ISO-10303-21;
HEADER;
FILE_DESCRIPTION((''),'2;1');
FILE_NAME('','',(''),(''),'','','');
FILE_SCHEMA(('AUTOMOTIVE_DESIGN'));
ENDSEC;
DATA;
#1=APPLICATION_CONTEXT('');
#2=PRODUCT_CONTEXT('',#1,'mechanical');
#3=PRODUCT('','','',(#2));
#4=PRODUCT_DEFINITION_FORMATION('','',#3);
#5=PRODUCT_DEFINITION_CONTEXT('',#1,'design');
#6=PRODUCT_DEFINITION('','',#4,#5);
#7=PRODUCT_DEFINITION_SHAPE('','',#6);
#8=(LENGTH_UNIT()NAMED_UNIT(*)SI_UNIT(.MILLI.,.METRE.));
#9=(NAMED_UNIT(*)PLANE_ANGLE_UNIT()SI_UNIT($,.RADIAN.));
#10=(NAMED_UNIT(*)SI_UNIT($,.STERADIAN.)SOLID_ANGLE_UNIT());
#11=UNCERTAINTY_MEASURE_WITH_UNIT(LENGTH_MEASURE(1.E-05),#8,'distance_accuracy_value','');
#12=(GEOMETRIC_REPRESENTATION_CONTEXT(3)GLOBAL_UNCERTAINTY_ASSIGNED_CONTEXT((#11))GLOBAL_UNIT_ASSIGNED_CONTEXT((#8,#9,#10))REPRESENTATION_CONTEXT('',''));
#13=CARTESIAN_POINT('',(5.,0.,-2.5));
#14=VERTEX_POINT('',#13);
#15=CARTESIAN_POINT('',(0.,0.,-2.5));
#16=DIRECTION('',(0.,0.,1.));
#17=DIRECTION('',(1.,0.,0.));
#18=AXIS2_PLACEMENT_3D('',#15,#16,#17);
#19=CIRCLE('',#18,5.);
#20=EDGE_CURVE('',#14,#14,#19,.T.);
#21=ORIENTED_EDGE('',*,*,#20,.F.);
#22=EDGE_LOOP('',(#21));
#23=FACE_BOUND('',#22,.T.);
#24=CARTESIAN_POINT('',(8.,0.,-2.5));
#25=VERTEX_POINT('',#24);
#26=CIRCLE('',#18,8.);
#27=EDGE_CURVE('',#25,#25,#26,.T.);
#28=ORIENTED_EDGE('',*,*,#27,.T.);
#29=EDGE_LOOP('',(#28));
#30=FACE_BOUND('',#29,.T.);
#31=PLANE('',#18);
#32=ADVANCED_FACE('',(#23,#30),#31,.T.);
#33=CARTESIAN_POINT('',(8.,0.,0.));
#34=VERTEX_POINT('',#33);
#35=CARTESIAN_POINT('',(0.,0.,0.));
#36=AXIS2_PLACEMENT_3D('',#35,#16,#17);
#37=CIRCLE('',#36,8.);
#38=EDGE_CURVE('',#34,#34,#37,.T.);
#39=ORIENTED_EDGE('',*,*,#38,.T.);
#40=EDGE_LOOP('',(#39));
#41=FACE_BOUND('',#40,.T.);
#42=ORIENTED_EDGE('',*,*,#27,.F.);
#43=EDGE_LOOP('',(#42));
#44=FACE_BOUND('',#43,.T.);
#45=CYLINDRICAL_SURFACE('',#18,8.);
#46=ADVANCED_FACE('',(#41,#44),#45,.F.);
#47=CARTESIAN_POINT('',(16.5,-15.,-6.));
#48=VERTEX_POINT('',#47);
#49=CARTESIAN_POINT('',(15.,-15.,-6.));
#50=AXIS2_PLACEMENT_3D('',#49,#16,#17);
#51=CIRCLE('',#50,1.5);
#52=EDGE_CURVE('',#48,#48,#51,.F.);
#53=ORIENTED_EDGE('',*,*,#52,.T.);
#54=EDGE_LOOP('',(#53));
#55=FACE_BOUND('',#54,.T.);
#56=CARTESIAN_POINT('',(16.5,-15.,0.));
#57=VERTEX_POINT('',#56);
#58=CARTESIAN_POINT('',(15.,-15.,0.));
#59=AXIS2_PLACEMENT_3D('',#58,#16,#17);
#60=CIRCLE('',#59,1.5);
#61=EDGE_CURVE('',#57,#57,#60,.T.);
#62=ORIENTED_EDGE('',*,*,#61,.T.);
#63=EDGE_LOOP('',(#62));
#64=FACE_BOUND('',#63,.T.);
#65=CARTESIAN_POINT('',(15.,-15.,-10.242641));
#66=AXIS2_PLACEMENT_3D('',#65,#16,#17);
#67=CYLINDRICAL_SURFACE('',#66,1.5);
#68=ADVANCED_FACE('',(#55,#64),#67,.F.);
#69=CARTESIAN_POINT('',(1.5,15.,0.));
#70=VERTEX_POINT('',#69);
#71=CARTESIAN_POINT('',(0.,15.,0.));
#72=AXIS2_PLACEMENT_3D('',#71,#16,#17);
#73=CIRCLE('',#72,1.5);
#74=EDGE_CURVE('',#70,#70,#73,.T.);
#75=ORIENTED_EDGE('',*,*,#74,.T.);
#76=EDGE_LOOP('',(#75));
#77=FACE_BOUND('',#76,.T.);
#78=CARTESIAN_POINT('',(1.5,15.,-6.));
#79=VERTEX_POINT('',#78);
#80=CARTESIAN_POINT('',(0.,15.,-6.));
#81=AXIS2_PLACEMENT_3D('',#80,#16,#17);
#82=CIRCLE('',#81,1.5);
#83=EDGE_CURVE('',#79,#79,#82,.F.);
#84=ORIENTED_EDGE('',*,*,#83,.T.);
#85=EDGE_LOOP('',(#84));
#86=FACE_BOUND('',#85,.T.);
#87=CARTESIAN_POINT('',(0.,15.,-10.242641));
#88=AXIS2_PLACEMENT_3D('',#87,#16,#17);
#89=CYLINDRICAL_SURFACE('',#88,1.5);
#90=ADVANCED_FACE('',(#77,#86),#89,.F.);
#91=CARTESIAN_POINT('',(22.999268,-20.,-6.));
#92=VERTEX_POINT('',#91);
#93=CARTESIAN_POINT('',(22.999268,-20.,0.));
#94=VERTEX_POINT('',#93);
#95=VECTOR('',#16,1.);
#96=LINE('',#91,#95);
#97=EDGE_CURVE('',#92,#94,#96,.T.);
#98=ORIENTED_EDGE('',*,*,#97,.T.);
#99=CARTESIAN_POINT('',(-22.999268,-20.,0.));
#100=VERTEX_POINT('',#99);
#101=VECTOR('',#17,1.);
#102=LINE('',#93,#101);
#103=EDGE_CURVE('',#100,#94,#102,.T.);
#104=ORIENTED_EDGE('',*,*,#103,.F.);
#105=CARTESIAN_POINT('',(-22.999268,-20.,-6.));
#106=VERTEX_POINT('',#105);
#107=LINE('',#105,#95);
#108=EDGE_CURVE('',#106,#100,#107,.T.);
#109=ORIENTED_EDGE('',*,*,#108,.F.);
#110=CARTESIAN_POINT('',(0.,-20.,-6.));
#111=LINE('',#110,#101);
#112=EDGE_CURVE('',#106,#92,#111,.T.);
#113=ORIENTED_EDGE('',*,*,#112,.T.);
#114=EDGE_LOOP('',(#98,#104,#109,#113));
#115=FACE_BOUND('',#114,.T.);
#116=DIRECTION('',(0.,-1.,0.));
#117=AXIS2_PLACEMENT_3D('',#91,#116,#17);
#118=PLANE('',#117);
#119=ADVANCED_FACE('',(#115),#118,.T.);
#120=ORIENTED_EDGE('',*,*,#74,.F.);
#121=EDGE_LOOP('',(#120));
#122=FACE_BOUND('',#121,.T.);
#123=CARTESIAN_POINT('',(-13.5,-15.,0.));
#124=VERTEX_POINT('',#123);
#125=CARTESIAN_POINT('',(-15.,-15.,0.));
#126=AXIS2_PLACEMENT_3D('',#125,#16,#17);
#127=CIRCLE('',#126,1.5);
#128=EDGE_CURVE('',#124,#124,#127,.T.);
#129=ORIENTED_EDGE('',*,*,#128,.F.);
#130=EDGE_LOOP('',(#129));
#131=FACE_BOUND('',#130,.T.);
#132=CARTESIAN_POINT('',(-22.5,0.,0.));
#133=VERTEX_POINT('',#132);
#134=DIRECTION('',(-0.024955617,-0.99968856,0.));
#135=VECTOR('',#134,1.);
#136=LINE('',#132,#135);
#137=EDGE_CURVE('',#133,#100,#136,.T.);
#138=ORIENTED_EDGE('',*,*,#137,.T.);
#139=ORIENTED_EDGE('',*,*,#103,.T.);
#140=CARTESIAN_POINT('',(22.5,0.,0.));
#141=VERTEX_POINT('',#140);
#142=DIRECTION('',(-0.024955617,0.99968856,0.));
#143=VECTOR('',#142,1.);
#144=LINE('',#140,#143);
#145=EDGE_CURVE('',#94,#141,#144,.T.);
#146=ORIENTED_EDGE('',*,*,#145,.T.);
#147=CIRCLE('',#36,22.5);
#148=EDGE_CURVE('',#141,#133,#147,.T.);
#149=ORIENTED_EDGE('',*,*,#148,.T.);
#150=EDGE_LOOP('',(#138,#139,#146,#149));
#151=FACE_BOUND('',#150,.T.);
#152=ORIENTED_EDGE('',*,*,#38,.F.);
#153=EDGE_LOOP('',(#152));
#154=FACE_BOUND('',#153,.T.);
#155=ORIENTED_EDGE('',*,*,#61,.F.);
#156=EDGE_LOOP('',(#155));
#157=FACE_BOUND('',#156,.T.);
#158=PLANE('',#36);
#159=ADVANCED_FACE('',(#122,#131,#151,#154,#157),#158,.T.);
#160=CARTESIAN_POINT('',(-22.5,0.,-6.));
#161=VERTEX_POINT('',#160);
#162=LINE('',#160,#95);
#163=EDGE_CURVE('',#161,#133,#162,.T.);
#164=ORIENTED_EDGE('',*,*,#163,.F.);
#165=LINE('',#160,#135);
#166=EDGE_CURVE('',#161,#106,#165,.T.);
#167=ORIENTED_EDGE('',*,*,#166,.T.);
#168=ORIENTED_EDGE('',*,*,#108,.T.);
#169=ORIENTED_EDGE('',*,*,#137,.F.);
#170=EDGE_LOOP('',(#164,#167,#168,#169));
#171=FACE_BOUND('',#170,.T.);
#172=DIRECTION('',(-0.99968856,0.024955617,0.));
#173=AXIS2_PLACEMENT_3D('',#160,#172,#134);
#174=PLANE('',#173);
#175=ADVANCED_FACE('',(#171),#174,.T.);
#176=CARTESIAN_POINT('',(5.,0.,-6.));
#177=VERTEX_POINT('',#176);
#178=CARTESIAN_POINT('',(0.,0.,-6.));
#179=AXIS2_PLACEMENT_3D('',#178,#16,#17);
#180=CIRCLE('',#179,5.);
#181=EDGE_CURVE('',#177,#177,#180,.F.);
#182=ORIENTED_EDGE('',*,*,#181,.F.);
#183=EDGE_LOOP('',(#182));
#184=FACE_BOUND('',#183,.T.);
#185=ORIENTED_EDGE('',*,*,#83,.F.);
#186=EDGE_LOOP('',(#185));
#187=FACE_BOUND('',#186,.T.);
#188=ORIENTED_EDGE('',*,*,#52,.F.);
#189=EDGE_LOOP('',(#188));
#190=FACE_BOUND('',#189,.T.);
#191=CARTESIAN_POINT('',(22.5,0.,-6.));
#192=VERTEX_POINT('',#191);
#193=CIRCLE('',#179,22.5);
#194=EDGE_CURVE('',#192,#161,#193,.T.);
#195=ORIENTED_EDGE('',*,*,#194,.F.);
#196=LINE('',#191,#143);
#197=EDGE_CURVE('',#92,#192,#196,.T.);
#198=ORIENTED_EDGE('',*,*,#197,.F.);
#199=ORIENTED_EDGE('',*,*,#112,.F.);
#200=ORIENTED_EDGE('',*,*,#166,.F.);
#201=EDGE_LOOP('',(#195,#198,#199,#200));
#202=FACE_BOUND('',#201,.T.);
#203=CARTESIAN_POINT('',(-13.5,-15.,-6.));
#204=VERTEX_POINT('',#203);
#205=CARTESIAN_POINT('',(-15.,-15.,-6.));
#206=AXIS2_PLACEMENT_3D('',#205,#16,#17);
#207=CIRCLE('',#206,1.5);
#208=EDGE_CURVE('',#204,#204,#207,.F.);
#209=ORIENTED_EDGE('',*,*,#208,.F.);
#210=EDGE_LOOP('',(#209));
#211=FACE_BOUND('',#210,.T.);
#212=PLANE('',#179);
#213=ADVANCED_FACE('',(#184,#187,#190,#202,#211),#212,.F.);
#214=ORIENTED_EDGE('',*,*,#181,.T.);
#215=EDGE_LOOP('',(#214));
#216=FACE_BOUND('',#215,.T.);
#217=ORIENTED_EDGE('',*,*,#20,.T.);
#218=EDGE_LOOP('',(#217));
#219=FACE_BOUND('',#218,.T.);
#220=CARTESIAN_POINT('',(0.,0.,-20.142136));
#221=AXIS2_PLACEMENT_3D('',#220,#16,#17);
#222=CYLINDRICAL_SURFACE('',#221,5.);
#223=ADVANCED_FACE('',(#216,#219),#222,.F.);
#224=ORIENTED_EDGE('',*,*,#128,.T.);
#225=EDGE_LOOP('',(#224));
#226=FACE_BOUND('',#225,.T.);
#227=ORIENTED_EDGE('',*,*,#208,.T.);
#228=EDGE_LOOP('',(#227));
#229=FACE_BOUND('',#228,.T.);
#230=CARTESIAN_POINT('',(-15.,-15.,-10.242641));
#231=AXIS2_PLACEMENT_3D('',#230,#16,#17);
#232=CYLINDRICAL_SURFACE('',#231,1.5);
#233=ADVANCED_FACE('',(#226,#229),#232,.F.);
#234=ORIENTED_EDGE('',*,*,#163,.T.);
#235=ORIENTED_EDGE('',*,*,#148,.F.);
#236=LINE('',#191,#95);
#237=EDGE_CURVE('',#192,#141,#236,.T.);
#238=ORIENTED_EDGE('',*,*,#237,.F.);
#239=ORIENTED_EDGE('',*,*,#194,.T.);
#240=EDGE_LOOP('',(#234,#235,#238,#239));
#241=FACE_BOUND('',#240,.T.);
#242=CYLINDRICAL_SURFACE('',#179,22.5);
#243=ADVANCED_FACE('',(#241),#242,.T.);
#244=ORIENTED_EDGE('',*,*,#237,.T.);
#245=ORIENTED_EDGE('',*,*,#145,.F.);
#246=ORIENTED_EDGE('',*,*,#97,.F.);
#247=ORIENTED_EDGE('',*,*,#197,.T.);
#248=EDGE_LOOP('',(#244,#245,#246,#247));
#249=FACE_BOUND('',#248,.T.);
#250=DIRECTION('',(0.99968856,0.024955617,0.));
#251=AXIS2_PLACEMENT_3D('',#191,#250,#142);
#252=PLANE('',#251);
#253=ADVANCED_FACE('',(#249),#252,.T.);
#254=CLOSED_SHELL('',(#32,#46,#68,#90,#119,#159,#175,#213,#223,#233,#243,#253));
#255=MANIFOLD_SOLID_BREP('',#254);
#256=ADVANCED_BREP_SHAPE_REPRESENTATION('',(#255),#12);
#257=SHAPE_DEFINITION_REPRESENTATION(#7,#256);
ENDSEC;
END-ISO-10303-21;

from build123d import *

# Parameters (mm, degrees)
BEARING_HOLDER_BOSS_EXTRUDE1_DEPTH = 6
SKETCH2_R                          = 8
BEARING_HOLE_CUT_EXTRUDE1_DEPTH    = 2.5
SKETCH3_R                          = 5
SHAFT_HOLE_CUT_EXTRUDE2_DEPTH      = 3.5
SKETCH4_R                          = 1.5
MOUNTING_HOLES_CUT_EXTRUDE3_DEPTH  = 6


with BuildPart() as part:
    # Sketch1 → Bearing Holder Boss-Extrude1 (new body)
    with BuildSketch(Plane.XY):
        with BuildLine():
            Line((-22.5, 0), (-22.999267837, -20))
            Line((-22.999267837, -20), (0, -20))
            Line((0, -20), (22.999267837, -20))
            Line((22.999267837, -20), (22.5, 0))
            ThreePointArc((22.5, 0), (0, 22.5), (-22.5, 0))
        make_face()
    extrude(amount=-BEARING_HOLDER_BOSS_EXTRUDE1_DEPTH)

    # Sketch2 → Bearing Hole Cut-Extrude1 (cut)
    with BuildSketch(Plane.XY):
        Circle(SKETCH2_R)
    extrude(amount=-BEARING_HOLE_CUT_EXTRUDE1_DEPTH, mode=Mode.SUBTRACT)

    # Sketch3 → Shaft Hole Cut-Extrude2 (cut)
    with BuildSketch(Plane.XY.offset(-2.5)):
        Circle(SKETCH3_R)
    extrude(amount=-SHAFT_HOLE_CUT_EXTRUDE2_DEPTH, mode=Mode.SUBTRACT)

    # Sketch4 → Mounting Holes Cut-Extrude3 (cut)
    with BuildSketch(Plane.XY):
        with Locations((0, 15)):
            Circle(SKETCH4_R)
        with Locations((-15, -15)):
            Circle(SKETCH4_R)
        with Locations((15, -15)):
            Circle(SKETCH4_R)
    extrude(amount=-MOUNTING_HOLES_CUT_EXTRUDE3_DEPTH, mode=Mode.SUBTRACT)


solid = part.part
